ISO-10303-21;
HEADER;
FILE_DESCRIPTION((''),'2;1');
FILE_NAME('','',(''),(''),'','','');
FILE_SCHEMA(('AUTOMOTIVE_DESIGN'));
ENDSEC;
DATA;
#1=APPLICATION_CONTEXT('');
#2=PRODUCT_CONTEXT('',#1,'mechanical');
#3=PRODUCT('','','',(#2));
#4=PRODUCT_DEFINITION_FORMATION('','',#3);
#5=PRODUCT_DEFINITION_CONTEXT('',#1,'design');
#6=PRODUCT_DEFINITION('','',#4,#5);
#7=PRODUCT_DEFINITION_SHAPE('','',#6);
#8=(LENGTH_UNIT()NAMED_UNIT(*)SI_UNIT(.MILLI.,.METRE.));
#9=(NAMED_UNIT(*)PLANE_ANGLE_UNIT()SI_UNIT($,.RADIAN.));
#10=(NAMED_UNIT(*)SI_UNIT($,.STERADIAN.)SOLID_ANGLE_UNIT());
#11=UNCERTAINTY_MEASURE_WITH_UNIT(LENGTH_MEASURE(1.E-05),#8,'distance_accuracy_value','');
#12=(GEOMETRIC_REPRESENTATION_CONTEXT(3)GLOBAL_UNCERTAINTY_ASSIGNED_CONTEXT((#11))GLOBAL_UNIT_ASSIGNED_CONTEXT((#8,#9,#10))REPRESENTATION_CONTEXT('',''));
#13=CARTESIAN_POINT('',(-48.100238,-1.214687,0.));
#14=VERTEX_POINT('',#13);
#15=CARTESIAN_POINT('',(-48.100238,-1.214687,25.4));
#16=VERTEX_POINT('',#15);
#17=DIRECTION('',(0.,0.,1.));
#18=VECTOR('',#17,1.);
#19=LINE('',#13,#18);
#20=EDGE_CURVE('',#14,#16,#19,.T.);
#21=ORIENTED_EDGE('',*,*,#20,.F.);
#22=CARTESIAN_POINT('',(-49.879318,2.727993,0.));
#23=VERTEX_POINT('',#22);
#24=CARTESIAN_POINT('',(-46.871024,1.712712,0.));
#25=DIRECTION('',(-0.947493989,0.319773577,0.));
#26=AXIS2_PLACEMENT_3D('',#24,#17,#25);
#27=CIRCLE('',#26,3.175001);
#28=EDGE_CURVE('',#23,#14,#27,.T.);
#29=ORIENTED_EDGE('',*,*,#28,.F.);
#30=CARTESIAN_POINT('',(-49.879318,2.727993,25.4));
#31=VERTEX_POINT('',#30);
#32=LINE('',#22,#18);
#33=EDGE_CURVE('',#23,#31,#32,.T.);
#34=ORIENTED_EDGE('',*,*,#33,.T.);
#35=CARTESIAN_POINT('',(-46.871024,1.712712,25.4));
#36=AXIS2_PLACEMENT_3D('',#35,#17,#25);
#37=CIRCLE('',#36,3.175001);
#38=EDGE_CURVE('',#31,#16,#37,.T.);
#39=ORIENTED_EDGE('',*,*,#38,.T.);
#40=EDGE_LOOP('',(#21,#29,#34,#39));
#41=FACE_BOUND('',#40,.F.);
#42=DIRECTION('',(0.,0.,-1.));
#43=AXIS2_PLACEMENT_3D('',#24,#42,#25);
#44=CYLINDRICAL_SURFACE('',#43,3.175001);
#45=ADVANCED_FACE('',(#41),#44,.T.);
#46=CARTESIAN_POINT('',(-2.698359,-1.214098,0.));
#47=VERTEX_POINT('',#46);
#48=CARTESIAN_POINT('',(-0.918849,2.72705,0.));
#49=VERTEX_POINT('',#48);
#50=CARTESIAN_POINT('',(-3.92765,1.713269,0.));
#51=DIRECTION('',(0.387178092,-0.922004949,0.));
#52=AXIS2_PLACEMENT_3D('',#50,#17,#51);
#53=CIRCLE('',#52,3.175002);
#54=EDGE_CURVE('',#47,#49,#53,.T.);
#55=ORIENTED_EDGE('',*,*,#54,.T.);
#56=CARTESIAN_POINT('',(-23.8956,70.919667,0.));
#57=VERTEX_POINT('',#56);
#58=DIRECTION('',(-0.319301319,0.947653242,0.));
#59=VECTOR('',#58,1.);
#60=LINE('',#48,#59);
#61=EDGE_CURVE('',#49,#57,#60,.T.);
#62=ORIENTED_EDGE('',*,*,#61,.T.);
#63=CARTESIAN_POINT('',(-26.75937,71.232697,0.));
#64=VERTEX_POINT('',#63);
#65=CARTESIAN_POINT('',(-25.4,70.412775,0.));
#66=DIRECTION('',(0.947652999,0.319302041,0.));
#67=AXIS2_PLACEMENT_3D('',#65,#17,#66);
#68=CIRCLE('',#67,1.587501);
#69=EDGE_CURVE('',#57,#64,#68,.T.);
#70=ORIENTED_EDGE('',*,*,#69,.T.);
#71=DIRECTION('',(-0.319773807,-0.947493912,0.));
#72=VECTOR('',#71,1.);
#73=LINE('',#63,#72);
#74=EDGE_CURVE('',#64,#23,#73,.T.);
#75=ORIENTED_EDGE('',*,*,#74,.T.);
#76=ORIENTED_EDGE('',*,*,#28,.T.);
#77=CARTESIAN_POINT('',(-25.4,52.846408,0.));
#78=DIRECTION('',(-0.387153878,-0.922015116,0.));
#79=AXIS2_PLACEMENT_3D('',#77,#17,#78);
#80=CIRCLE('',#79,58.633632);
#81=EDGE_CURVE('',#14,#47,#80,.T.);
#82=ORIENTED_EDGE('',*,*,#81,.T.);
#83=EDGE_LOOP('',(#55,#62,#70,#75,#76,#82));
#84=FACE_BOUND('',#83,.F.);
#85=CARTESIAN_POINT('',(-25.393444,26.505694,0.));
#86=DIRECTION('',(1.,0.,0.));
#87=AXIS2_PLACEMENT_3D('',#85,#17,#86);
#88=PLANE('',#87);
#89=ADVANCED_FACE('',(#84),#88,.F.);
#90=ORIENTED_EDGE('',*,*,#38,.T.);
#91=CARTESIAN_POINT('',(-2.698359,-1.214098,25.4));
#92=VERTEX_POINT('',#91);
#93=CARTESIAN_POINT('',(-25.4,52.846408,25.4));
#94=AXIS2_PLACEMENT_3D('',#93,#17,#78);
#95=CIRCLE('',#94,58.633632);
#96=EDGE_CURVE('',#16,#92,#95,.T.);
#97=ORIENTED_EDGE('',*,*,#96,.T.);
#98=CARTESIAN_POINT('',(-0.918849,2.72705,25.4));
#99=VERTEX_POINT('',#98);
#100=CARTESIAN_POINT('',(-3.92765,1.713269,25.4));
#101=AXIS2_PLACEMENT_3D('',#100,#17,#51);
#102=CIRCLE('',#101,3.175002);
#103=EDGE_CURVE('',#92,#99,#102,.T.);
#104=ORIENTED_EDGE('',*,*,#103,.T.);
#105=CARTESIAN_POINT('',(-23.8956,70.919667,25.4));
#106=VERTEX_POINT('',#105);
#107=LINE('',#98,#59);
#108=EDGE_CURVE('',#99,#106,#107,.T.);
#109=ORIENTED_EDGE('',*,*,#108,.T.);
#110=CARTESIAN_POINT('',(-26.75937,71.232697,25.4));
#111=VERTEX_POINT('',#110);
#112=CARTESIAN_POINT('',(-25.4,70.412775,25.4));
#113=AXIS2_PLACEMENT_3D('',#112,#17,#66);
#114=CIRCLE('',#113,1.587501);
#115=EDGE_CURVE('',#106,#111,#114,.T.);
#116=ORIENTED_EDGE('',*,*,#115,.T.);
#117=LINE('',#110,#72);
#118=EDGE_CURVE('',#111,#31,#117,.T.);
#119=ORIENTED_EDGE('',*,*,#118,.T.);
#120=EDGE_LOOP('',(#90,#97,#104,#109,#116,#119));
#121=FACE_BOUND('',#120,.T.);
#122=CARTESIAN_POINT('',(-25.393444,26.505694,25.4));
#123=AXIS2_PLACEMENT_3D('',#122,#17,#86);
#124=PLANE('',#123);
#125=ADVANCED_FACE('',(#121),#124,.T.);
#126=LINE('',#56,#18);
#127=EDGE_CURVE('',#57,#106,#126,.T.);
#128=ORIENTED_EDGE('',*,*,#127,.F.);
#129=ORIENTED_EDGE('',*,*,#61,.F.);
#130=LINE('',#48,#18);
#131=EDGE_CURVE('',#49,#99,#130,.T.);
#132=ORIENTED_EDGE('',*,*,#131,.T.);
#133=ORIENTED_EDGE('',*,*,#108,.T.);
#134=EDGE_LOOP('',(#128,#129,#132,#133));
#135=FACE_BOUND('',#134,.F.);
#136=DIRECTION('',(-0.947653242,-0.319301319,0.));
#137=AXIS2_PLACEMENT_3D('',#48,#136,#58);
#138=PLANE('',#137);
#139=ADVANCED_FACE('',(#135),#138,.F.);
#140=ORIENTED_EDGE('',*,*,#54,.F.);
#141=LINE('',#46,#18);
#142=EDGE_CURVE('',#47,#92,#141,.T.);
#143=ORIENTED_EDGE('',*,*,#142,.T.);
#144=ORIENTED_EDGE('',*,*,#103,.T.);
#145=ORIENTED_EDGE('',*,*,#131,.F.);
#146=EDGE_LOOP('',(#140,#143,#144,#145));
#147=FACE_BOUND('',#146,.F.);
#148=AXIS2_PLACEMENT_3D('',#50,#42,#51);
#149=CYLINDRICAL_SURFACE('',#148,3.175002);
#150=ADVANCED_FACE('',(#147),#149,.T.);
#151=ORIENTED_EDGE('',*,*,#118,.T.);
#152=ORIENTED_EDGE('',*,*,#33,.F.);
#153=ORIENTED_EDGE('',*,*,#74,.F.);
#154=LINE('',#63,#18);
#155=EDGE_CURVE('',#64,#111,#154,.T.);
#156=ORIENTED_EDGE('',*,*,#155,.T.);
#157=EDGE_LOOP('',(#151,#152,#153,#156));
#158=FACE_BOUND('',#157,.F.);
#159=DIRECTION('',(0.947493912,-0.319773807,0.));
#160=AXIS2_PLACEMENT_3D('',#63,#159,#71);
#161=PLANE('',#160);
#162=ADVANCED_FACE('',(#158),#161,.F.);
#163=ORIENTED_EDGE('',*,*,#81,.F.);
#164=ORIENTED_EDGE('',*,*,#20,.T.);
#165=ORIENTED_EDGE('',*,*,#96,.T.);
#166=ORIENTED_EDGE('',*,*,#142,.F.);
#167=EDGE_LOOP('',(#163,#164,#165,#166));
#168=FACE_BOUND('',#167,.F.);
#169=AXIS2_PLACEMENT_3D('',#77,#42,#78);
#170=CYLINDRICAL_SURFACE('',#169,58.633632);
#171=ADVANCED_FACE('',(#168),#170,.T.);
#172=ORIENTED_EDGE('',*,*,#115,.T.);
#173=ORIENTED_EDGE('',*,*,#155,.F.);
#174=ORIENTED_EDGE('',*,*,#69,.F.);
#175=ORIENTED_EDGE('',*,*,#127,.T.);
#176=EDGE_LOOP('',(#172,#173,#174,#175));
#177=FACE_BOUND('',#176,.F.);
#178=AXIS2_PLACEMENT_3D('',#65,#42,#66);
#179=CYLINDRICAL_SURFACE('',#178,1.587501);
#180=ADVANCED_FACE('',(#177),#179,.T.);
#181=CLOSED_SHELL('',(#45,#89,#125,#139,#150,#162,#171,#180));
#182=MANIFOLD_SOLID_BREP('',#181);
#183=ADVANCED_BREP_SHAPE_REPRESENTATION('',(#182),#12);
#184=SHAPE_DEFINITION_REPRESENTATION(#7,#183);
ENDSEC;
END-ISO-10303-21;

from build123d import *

# Parameters (mm, degrees)
F1_DEPTH = 25.4


with BuildPart() as f1:
    # F0 (on Top) → F1 (new body)
    with BuildSketch(Plane.XY):
        with BuildLine():
            ThreePointArc((-23.8956, 70.919667), (-25.227502, 71.990876), (-26.75937, 71.232697))
            Line((-26.75937, 71.232697), (-49.879318, 2.727993))
            ThreePointArc((-49.879318, 2.727993), (-49.765035, 0.406829), (-48.100238, -1.214687))
            ThreePointArc((-48.100238, -1.214687), (-25.399239, -5.787224), (-2.698359, -1.214098))
            ThreePointArc((-2.698359, -1.214098), (-1.033947, 0.406702), (-0.918849, 2.72705))
            Line((-0.918849, 2.72705), (-23.8956, 70.919667))
        make_face()
    extrude(amount=F1_DEPTH)


solid = f1.part
